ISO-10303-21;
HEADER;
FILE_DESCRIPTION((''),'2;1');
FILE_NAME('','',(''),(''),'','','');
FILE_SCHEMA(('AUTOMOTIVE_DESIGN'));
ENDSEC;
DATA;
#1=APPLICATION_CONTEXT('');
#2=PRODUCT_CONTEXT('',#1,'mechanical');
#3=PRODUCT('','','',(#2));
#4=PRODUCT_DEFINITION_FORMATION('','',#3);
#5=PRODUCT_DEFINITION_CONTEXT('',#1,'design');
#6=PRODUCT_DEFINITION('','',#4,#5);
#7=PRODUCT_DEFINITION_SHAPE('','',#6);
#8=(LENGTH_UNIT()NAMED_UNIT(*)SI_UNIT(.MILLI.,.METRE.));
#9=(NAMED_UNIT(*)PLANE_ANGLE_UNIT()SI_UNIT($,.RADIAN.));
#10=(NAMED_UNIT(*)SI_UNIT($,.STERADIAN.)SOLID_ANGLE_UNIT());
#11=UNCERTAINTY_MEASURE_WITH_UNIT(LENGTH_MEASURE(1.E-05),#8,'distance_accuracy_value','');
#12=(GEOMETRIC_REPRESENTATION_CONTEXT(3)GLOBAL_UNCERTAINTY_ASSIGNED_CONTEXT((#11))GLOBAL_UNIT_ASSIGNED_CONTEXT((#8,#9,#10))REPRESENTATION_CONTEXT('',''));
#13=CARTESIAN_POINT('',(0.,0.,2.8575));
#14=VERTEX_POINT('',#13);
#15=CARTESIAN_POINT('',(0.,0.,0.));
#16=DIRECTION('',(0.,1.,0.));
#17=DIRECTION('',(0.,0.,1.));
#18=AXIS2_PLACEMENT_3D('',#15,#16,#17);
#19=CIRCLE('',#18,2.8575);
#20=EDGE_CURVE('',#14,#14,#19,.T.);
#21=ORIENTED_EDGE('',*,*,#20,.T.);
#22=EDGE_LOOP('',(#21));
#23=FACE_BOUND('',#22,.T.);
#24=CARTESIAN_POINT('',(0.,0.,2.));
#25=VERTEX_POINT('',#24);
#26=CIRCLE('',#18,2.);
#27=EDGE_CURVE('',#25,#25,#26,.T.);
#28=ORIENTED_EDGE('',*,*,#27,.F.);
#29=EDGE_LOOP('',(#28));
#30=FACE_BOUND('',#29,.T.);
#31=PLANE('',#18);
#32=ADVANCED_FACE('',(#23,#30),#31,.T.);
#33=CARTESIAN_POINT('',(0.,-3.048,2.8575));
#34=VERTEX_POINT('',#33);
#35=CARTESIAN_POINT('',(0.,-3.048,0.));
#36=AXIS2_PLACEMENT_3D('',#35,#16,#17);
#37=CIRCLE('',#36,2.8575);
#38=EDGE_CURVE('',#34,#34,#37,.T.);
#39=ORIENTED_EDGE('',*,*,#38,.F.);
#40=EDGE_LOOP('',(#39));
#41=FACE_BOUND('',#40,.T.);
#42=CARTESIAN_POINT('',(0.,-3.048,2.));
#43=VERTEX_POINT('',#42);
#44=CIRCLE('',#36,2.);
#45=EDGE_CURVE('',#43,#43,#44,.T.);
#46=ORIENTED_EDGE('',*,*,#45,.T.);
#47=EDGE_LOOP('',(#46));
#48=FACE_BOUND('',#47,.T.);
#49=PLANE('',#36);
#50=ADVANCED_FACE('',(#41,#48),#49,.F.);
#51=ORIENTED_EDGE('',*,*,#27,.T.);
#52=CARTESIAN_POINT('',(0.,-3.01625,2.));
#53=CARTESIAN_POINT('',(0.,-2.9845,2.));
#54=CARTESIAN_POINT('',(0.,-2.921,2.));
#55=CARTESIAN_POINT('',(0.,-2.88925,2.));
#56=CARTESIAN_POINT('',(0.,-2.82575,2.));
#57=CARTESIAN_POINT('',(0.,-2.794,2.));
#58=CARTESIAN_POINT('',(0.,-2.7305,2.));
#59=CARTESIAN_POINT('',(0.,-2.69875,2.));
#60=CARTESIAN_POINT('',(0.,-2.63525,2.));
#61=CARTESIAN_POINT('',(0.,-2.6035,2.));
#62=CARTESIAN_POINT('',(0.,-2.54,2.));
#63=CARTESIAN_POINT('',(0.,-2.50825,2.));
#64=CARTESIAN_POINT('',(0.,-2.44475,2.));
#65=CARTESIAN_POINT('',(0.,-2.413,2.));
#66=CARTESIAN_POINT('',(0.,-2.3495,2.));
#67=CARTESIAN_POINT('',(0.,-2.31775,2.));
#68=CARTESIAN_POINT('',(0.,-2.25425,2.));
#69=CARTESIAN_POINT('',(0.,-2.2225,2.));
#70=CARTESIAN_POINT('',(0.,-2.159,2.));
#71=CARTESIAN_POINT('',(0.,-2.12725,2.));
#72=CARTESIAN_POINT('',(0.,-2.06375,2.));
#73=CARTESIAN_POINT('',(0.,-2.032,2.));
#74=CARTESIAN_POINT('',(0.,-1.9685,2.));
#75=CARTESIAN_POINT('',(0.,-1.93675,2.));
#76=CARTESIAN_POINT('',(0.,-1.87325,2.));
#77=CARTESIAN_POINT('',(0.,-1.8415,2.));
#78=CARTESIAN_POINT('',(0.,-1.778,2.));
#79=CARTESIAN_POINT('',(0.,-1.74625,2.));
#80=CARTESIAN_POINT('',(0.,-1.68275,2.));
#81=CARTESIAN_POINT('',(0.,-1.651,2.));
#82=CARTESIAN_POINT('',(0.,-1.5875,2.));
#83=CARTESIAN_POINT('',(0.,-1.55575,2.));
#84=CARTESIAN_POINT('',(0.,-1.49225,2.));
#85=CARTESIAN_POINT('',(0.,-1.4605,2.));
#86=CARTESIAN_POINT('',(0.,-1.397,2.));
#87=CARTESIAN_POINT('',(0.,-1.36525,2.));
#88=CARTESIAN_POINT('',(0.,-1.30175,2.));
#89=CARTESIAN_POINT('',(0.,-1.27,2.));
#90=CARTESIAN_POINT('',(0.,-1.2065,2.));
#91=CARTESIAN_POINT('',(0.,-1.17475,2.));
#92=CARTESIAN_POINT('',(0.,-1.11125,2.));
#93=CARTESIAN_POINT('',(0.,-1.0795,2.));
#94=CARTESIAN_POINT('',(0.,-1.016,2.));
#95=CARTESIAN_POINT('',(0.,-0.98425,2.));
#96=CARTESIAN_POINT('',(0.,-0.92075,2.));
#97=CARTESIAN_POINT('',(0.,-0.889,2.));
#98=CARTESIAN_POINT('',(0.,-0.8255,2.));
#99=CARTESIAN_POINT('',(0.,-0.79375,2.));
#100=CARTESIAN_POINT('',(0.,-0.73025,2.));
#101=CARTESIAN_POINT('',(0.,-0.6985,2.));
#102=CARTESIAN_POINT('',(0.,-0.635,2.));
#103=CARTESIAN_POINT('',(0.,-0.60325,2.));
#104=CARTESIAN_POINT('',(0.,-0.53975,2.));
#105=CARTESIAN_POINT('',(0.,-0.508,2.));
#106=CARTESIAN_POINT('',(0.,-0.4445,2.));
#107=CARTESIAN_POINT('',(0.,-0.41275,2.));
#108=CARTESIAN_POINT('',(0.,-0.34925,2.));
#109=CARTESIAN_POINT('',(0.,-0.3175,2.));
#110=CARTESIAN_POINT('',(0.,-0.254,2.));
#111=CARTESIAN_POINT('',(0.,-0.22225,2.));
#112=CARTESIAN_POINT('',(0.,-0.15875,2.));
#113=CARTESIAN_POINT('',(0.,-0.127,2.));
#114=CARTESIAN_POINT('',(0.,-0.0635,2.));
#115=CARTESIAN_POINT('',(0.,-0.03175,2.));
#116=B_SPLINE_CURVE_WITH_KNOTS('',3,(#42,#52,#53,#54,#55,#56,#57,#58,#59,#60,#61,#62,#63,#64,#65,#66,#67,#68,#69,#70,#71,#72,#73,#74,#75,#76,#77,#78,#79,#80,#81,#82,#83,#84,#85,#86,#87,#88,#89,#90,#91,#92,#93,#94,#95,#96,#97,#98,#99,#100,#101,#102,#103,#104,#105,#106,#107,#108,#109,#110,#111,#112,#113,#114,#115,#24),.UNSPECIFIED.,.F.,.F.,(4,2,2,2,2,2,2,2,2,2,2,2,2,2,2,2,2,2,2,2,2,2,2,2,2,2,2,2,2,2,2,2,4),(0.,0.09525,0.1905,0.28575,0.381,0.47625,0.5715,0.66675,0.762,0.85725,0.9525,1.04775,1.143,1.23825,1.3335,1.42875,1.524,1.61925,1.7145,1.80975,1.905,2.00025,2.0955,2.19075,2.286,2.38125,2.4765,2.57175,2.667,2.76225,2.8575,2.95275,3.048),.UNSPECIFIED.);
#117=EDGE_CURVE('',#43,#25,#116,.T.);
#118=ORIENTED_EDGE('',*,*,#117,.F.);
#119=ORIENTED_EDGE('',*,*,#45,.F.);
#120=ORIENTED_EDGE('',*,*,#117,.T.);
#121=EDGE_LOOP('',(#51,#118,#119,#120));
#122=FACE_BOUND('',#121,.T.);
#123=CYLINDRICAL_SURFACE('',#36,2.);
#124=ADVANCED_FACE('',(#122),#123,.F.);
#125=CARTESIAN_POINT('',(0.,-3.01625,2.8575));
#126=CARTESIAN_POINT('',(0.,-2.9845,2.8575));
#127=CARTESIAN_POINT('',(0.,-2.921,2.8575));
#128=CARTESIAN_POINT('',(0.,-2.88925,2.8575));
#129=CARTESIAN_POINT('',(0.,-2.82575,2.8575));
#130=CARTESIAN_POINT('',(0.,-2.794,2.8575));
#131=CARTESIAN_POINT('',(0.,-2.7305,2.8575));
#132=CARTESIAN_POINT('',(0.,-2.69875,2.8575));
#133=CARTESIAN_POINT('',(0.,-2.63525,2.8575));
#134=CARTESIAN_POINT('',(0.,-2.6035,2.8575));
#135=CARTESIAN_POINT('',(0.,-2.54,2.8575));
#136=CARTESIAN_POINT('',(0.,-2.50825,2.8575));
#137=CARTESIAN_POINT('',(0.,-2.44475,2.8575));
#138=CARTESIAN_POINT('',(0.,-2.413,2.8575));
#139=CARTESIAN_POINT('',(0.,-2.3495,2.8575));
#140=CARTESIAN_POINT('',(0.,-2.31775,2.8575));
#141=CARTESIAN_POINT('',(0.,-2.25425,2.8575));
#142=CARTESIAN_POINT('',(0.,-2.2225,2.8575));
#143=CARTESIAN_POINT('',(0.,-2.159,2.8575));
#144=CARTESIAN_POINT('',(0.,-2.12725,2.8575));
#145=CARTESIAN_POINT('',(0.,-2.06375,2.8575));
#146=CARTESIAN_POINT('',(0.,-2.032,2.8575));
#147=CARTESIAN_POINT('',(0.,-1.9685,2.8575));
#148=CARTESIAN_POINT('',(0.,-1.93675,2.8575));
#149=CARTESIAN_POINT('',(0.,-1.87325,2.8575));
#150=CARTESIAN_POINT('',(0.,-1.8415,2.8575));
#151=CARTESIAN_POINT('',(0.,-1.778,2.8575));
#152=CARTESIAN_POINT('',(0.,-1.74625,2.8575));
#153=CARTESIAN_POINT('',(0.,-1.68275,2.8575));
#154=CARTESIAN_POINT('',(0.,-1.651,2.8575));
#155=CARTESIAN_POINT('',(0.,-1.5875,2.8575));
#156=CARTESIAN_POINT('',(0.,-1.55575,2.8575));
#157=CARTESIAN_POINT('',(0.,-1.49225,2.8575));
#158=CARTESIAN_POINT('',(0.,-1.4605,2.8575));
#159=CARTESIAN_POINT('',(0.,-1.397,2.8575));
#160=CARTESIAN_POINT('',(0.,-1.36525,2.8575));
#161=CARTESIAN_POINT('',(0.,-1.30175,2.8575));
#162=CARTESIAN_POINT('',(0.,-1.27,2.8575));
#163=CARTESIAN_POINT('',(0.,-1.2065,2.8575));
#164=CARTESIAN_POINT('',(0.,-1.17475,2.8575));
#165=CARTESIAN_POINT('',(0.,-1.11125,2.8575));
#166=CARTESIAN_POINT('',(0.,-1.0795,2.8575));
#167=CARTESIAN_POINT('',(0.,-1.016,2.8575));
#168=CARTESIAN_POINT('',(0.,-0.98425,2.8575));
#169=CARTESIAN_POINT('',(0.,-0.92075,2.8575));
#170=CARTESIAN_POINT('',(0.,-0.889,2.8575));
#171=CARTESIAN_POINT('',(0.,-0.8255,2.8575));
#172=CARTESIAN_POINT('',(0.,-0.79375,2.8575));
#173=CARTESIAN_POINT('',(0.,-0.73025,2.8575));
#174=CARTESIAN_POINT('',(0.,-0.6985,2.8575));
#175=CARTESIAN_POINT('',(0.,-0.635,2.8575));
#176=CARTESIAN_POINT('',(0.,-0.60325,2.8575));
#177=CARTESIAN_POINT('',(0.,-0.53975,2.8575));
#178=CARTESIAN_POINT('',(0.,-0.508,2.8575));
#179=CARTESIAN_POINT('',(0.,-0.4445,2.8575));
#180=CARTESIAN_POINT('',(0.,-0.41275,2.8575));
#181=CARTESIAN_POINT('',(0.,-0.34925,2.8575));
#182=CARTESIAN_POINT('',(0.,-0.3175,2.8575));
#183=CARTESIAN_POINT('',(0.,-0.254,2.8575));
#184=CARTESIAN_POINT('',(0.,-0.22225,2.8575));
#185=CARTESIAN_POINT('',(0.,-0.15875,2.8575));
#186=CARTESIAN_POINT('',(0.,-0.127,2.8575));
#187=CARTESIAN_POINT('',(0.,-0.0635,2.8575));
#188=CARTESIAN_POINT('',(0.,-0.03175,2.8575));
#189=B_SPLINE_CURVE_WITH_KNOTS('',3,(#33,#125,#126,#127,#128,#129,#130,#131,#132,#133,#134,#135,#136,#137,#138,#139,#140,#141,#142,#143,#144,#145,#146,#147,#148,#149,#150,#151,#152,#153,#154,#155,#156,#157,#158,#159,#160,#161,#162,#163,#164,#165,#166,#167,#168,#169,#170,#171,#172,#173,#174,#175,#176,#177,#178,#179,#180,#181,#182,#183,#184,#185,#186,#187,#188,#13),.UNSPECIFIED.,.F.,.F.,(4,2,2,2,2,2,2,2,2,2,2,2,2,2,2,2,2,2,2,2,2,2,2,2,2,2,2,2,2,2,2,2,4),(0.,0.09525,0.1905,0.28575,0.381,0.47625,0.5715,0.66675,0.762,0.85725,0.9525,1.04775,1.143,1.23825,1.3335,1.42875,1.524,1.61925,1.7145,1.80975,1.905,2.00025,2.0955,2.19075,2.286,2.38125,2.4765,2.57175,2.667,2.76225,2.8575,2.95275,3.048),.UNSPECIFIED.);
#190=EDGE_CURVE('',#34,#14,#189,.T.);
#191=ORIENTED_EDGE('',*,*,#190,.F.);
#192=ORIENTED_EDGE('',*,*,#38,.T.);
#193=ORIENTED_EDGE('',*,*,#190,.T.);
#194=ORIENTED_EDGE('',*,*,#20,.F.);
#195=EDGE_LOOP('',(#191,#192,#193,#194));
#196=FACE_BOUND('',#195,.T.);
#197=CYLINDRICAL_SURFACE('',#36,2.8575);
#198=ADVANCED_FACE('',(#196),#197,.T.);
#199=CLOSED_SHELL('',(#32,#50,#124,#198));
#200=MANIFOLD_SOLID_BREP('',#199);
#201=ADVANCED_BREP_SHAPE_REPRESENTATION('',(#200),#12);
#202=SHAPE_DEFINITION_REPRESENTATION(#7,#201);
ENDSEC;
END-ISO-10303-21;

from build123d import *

# Parameters (mm, degrees)
SKETCH1_R           = 2.8575
SKETCH1_R_2         = 2
BOSS_EXTRUDE1_DEPTH = 3.048


with BuildPart() as part:
    # Sketch1 → Boss-Extrude1 (new body)
    with BuildSketch(Plane(origin=(0, 0, 0), x_dir=(1, 0, 0), z_dir=(0, 1, 0))):
        with Locations(Location((0, 0, 0), (0, 0, 270))):
            Circle(SKETCH1_R)
        with Locations(Location((0, 0, 0), (0, 0, 270))):
            Circle(SKETCH1_R_2, mode=Mode.SUBTRACT)
    extrude(amount=-BOSS_EXTRUDE1_DEPTH)


solid = part.part
